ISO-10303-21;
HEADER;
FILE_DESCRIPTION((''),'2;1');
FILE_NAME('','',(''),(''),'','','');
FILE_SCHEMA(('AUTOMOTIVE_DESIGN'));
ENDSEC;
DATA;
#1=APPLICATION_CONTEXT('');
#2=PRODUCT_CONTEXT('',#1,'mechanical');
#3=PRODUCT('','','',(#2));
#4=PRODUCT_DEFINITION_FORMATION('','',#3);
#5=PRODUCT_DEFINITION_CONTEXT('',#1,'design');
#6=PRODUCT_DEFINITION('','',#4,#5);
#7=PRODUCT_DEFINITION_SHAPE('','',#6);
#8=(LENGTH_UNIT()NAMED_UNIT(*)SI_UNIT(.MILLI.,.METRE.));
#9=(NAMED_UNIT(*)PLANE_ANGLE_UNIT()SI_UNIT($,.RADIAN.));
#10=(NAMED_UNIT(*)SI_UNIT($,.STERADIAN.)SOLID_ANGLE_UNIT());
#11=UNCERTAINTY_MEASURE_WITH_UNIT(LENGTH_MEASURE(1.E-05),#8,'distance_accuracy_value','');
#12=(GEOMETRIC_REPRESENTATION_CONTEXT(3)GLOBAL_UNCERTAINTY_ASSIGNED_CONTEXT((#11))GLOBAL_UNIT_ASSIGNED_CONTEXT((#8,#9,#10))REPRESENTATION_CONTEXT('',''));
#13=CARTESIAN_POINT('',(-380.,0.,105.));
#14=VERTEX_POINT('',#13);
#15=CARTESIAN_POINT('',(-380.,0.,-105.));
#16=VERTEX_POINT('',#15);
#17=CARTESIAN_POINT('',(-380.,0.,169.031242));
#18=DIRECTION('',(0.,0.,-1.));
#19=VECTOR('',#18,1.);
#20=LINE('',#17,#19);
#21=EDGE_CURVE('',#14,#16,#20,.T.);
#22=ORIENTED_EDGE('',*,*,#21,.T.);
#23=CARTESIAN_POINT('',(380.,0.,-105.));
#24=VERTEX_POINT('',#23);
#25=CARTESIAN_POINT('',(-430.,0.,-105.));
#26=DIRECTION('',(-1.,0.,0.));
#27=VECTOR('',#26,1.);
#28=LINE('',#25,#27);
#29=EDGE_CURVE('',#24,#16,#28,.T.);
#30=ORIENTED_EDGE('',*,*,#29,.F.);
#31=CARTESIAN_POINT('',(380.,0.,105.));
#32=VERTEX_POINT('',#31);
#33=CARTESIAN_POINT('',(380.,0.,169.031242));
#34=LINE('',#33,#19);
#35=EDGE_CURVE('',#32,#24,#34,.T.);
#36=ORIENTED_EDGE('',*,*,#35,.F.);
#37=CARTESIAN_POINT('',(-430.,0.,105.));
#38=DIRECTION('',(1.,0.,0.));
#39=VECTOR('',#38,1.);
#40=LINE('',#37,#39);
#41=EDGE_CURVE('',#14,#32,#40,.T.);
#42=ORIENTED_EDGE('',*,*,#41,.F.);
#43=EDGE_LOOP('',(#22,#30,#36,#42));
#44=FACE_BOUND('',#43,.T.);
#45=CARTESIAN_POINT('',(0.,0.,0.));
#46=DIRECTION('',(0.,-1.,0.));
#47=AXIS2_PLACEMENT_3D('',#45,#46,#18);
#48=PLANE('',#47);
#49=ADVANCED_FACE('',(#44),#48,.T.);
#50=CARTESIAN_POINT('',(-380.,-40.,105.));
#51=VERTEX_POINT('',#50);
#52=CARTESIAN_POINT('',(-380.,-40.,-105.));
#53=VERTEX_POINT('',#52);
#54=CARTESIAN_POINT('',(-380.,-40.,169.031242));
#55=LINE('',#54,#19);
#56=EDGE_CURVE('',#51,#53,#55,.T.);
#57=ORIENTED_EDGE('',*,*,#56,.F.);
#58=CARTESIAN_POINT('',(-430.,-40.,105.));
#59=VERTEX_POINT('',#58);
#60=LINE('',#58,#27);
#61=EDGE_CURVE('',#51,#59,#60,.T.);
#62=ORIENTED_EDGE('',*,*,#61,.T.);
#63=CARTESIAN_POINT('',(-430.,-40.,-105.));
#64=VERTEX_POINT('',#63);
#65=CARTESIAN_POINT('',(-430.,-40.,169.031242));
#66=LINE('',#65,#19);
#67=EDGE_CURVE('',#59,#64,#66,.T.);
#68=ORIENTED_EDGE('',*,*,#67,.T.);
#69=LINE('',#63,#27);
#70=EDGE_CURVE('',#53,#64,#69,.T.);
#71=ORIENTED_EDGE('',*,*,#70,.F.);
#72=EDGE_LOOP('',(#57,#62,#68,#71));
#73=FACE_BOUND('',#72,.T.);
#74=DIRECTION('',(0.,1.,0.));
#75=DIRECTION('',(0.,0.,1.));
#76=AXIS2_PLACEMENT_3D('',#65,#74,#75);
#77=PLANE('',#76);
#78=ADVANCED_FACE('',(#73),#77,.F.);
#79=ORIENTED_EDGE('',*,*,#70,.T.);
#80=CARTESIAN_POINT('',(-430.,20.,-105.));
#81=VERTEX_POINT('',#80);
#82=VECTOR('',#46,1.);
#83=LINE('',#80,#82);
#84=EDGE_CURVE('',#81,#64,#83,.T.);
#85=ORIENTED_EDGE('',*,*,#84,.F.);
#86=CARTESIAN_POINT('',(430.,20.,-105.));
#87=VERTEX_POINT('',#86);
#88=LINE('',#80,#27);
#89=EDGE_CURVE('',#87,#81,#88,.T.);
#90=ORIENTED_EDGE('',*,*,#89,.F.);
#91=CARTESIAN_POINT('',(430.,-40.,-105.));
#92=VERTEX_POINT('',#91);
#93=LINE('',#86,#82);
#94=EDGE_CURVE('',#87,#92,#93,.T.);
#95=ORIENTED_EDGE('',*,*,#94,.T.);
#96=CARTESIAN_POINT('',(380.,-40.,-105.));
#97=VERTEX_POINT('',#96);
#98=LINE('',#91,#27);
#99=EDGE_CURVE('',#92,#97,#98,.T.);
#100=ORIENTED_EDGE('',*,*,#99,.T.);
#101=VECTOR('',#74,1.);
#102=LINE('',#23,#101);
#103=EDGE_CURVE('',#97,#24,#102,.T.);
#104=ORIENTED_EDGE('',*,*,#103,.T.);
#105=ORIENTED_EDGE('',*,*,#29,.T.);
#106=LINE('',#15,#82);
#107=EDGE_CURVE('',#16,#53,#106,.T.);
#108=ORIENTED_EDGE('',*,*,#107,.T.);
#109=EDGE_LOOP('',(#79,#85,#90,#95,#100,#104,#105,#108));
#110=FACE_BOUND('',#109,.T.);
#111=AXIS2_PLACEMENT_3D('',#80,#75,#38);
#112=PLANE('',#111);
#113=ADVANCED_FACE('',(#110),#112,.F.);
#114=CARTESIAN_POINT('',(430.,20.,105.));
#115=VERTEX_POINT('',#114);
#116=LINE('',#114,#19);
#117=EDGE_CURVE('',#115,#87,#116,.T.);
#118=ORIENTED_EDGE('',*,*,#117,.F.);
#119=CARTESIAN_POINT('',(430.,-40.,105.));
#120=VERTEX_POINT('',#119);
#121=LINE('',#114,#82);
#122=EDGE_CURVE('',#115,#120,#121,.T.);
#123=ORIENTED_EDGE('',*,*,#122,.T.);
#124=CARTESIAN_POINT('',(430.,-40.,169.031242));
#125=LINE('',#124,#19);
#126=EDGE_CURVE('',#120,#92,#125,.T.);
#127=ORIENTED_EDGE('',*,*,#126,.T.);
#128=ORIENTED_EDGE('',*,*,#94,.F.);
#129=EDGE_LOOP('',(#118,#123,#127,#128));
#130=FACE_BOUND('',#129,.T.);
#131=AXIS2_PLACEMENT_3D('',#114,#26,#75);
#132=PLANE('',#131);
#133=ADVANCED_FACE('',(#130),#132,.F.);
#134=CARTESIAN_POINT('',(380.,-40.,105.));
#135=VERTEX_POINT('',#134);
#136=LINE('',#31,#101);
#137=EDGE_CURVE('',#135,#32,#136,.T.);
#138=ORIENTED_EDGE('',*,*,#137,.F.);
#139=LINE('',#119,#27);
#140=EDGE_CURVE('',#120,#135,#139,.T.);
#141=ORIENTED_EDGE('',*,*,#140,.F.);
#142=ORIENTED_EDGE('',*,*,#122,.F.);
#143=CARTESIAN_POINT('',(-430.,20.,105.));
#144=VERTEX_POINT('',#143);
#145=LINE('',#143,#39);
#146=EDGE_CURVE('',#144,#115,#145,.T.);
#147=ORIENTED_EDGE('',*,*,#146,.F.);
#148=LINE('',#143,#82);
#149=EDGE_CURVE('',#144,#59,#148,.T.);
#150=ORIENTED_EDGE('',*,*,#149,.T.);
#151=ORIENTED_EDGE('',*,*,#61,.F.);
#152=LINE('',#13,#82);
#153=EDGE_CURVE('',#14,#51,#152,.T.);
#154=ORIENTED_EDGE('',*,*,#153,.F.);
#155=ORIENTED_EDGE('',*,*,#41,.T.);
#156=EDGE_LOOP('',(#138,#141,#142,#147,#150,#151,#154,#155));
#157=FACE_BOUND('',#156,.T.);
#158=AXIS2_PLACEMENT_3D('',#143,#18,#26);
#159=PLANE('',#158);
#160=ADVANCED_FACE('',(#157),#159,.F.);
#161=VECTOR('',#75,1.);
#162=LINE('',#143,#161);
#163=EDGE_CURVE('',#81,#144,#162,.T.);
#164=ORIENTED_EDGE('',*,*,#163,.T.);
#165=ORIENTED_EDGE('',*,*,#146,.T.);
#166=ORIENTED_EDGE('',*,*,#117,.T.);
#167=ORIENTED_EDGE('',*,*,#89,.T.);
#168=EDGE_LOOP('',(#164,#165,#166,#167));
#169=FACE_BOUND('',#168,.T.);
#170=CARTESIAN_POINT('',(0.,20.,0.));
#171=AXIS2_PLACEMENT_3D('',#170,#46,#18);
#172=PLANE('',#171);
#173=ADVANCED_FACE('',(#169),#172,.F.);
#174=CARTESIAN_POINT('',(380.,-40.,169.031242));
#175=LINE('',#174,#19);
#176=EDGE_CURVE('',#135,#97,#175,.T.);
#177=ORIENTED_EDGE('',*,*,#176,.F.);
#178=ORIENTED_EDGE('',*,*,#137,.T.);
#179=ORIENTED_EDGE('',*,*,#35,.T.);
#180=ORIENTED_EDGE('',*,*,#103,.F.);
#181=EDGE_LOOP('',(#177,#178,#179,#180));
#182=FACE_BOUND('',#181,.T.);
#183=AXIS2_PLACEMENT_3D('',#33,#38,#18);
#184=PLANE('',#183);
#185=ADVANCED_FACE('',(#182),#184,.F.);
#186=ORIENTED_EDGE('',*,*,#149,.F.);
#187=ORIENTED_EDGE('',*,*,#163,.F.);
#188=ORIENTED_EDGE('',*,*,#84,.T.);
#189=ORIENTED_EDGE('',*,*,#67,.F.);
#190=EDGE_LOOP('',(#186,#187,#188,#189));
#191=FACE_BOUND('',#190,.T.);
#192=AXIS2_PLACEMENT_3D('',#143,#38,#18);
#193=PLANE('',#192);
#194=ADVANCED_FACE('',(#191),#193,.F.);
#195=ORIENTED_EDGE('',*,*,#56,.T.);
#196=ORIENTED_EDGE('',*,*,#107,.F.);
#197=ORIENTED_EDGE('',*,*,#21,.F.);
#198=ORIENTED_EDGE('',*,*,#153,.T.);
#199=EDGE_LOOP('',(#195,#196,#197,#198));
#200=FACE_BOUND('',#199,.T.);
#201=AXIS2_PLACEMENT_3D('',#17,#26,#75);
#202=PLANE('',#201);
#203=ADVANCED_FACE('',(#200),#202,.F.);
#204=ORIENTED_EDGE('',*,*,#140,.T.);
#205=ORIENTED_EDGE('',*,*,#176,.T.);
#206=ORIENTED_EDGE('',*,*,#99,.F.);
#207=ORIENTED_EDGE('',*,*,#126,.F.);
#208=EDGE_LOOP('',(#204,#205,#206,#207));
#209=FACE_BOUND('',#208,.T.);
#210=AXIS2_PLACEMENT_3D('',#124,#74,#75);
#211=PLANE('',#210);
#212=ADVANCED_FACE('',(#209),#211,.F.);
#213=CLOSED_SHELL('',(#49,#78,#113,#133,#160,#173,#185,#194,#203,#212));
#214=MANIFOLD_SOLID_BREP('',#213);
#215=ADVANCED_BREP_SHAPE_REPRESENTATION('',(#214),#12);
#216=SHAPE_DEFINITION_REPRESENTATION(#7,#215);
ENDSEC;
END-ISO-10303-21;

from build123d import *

# Parameters (mm, degrees)
SKETCH1_W                       = 860
SKETCH1_H                       = 210
BOSS_EXTRUDE1_DEPTH             = 20
BOSS_EXTRUDE2_REACH             = 445.086
SKETCH2_W                       = 50
SKETCH2_H                       = 40
BOSS_EXTRUDE2_DIRECTION_2_REACH = 445.086


with BuildPart() as part:
    # Sketch1 → Boss-Extrude1 (new body)
    with BuildSketch(Plane(origin=(0, 0, 0), x_dir=(1, 0, 0), z_dir=(0, 1, 0))):
        Rectangle(SKETCH1_W, SKETCH1_H)
    extrude(amount=BOSS_EXTRUDE1_DEPTH)

    # Boss-Extrude2: up to this face of the body (flat: up to its plane)
    boss_extrude2_end = Plane(part.part.faces().sort_by_distance((0, 10, 105))[0])
    # Sketch2 → Boss-Extrude2 (add, up to the picked face)
    with BuildSketch(Plane.XY, mode=Mode.PRIVATE) as boss_extrude2_sk1:
        with Locations((-405, -20)):
            Rectangle(SKETCH2_W, SKETCH2_H)
    boss_extrude2_tool1 = split(extrude(boss_extrude2_sk1.sketch, amount=BOSS_EXTRUDE2_REACH, mode=Mode.PRIVATE), bisect_by=boss_extrude2_end, keep=Keep.BOTH, mode=Mode.PRIVATE)
    # Sketch2 → Boss-Extrude2 (add, up to the picked face)
    with BuildSketch(Plane.XY, mode=Mode.PRIVATE) as boss_extrude2_sk2:
        with Locations((405, -20)):
            Rectangle(SKETCH2_W, SKETCH2_H)
    boss_extrude2_tool2 = split(extrude(boss_extrude2_sk2.sketch, amount=BOSS_EXTRUDE2_REACH, mode=Mode.PRIVATE), bisect_by=boss_extrude2_end, keep=Keep.BOTH, mode=Mode.PRIVATE)
    add(boss_extrude2_tool1.solids().sort_by(Axis((-405, -20, 0), (0, 0, 1)))[0])
    add(boss_extrude2_tool2.solids().sort_by(Axis((405, -20, 0), (0, 0, 1)))[0])

    # Boss-Extrude2 direction 2: up to this face of the body (flat: up to its plane)
    boss_extrude2_direction_2_end = Plane(part.part.faces().sort_by_distance((0, 10, -105))[0])
    # Sketch2 → Boss-Extrude2 direction 2 (add, up to the picked face)
    with BuildSketch(Plane.XY, mode=Mode.PRIVATE) as boss_extrude2_direction_2_sk1:
        with Locations((-405, -20)):
            Rectangle(SKETCH2_W, SKETCH2_H)
    boss_extrude2_direction_2_tool1 = split(extrude(boss_extrude2_direction_2_sk1.sketch, amount=-BOSS_EXTRUDE2_DIRECTION_2_REACH, mode=Mode.PRIVATE), bisect_by=boss_extrude2_direction_2_end, keep=Keep.BOTH, mode=Mode.PRIVATE)
    # Sketch2 → Boss-Extrude2 direction 2 (add, up to the picked face)
    with BuildSketch(Plane.XY, mode=Mode.PRIVATE) as boss_extrude2_direction_2_sk2:
        with Locations((405, -20)):
            Rectangle(SKETCH2_W, SKETCH2_H)
    boss_extrude2_direction_2_tool2 = split(extrude(boss_extrude2_direction_2_sk2.sketch, amount=-BOSS_EXTRUDE2_DIRECTION_2_REACH, mode=Mode.PRIVATE), bisect_by=boss_extrude2_direction_2_end, keep=Keep.BOTH, mode=Mode.PRIVATE)
    add(boss_extrude2_direction_2_tool1.solids().sort_by(Axis((-405, -20, 0), (0, 0, -1)))[0])
    add(boss_extrude2_direction_2_tool2.solids().sort_by(Axis((405, -20, 0), (0, 0, -1)))[0])


solid = part.part
